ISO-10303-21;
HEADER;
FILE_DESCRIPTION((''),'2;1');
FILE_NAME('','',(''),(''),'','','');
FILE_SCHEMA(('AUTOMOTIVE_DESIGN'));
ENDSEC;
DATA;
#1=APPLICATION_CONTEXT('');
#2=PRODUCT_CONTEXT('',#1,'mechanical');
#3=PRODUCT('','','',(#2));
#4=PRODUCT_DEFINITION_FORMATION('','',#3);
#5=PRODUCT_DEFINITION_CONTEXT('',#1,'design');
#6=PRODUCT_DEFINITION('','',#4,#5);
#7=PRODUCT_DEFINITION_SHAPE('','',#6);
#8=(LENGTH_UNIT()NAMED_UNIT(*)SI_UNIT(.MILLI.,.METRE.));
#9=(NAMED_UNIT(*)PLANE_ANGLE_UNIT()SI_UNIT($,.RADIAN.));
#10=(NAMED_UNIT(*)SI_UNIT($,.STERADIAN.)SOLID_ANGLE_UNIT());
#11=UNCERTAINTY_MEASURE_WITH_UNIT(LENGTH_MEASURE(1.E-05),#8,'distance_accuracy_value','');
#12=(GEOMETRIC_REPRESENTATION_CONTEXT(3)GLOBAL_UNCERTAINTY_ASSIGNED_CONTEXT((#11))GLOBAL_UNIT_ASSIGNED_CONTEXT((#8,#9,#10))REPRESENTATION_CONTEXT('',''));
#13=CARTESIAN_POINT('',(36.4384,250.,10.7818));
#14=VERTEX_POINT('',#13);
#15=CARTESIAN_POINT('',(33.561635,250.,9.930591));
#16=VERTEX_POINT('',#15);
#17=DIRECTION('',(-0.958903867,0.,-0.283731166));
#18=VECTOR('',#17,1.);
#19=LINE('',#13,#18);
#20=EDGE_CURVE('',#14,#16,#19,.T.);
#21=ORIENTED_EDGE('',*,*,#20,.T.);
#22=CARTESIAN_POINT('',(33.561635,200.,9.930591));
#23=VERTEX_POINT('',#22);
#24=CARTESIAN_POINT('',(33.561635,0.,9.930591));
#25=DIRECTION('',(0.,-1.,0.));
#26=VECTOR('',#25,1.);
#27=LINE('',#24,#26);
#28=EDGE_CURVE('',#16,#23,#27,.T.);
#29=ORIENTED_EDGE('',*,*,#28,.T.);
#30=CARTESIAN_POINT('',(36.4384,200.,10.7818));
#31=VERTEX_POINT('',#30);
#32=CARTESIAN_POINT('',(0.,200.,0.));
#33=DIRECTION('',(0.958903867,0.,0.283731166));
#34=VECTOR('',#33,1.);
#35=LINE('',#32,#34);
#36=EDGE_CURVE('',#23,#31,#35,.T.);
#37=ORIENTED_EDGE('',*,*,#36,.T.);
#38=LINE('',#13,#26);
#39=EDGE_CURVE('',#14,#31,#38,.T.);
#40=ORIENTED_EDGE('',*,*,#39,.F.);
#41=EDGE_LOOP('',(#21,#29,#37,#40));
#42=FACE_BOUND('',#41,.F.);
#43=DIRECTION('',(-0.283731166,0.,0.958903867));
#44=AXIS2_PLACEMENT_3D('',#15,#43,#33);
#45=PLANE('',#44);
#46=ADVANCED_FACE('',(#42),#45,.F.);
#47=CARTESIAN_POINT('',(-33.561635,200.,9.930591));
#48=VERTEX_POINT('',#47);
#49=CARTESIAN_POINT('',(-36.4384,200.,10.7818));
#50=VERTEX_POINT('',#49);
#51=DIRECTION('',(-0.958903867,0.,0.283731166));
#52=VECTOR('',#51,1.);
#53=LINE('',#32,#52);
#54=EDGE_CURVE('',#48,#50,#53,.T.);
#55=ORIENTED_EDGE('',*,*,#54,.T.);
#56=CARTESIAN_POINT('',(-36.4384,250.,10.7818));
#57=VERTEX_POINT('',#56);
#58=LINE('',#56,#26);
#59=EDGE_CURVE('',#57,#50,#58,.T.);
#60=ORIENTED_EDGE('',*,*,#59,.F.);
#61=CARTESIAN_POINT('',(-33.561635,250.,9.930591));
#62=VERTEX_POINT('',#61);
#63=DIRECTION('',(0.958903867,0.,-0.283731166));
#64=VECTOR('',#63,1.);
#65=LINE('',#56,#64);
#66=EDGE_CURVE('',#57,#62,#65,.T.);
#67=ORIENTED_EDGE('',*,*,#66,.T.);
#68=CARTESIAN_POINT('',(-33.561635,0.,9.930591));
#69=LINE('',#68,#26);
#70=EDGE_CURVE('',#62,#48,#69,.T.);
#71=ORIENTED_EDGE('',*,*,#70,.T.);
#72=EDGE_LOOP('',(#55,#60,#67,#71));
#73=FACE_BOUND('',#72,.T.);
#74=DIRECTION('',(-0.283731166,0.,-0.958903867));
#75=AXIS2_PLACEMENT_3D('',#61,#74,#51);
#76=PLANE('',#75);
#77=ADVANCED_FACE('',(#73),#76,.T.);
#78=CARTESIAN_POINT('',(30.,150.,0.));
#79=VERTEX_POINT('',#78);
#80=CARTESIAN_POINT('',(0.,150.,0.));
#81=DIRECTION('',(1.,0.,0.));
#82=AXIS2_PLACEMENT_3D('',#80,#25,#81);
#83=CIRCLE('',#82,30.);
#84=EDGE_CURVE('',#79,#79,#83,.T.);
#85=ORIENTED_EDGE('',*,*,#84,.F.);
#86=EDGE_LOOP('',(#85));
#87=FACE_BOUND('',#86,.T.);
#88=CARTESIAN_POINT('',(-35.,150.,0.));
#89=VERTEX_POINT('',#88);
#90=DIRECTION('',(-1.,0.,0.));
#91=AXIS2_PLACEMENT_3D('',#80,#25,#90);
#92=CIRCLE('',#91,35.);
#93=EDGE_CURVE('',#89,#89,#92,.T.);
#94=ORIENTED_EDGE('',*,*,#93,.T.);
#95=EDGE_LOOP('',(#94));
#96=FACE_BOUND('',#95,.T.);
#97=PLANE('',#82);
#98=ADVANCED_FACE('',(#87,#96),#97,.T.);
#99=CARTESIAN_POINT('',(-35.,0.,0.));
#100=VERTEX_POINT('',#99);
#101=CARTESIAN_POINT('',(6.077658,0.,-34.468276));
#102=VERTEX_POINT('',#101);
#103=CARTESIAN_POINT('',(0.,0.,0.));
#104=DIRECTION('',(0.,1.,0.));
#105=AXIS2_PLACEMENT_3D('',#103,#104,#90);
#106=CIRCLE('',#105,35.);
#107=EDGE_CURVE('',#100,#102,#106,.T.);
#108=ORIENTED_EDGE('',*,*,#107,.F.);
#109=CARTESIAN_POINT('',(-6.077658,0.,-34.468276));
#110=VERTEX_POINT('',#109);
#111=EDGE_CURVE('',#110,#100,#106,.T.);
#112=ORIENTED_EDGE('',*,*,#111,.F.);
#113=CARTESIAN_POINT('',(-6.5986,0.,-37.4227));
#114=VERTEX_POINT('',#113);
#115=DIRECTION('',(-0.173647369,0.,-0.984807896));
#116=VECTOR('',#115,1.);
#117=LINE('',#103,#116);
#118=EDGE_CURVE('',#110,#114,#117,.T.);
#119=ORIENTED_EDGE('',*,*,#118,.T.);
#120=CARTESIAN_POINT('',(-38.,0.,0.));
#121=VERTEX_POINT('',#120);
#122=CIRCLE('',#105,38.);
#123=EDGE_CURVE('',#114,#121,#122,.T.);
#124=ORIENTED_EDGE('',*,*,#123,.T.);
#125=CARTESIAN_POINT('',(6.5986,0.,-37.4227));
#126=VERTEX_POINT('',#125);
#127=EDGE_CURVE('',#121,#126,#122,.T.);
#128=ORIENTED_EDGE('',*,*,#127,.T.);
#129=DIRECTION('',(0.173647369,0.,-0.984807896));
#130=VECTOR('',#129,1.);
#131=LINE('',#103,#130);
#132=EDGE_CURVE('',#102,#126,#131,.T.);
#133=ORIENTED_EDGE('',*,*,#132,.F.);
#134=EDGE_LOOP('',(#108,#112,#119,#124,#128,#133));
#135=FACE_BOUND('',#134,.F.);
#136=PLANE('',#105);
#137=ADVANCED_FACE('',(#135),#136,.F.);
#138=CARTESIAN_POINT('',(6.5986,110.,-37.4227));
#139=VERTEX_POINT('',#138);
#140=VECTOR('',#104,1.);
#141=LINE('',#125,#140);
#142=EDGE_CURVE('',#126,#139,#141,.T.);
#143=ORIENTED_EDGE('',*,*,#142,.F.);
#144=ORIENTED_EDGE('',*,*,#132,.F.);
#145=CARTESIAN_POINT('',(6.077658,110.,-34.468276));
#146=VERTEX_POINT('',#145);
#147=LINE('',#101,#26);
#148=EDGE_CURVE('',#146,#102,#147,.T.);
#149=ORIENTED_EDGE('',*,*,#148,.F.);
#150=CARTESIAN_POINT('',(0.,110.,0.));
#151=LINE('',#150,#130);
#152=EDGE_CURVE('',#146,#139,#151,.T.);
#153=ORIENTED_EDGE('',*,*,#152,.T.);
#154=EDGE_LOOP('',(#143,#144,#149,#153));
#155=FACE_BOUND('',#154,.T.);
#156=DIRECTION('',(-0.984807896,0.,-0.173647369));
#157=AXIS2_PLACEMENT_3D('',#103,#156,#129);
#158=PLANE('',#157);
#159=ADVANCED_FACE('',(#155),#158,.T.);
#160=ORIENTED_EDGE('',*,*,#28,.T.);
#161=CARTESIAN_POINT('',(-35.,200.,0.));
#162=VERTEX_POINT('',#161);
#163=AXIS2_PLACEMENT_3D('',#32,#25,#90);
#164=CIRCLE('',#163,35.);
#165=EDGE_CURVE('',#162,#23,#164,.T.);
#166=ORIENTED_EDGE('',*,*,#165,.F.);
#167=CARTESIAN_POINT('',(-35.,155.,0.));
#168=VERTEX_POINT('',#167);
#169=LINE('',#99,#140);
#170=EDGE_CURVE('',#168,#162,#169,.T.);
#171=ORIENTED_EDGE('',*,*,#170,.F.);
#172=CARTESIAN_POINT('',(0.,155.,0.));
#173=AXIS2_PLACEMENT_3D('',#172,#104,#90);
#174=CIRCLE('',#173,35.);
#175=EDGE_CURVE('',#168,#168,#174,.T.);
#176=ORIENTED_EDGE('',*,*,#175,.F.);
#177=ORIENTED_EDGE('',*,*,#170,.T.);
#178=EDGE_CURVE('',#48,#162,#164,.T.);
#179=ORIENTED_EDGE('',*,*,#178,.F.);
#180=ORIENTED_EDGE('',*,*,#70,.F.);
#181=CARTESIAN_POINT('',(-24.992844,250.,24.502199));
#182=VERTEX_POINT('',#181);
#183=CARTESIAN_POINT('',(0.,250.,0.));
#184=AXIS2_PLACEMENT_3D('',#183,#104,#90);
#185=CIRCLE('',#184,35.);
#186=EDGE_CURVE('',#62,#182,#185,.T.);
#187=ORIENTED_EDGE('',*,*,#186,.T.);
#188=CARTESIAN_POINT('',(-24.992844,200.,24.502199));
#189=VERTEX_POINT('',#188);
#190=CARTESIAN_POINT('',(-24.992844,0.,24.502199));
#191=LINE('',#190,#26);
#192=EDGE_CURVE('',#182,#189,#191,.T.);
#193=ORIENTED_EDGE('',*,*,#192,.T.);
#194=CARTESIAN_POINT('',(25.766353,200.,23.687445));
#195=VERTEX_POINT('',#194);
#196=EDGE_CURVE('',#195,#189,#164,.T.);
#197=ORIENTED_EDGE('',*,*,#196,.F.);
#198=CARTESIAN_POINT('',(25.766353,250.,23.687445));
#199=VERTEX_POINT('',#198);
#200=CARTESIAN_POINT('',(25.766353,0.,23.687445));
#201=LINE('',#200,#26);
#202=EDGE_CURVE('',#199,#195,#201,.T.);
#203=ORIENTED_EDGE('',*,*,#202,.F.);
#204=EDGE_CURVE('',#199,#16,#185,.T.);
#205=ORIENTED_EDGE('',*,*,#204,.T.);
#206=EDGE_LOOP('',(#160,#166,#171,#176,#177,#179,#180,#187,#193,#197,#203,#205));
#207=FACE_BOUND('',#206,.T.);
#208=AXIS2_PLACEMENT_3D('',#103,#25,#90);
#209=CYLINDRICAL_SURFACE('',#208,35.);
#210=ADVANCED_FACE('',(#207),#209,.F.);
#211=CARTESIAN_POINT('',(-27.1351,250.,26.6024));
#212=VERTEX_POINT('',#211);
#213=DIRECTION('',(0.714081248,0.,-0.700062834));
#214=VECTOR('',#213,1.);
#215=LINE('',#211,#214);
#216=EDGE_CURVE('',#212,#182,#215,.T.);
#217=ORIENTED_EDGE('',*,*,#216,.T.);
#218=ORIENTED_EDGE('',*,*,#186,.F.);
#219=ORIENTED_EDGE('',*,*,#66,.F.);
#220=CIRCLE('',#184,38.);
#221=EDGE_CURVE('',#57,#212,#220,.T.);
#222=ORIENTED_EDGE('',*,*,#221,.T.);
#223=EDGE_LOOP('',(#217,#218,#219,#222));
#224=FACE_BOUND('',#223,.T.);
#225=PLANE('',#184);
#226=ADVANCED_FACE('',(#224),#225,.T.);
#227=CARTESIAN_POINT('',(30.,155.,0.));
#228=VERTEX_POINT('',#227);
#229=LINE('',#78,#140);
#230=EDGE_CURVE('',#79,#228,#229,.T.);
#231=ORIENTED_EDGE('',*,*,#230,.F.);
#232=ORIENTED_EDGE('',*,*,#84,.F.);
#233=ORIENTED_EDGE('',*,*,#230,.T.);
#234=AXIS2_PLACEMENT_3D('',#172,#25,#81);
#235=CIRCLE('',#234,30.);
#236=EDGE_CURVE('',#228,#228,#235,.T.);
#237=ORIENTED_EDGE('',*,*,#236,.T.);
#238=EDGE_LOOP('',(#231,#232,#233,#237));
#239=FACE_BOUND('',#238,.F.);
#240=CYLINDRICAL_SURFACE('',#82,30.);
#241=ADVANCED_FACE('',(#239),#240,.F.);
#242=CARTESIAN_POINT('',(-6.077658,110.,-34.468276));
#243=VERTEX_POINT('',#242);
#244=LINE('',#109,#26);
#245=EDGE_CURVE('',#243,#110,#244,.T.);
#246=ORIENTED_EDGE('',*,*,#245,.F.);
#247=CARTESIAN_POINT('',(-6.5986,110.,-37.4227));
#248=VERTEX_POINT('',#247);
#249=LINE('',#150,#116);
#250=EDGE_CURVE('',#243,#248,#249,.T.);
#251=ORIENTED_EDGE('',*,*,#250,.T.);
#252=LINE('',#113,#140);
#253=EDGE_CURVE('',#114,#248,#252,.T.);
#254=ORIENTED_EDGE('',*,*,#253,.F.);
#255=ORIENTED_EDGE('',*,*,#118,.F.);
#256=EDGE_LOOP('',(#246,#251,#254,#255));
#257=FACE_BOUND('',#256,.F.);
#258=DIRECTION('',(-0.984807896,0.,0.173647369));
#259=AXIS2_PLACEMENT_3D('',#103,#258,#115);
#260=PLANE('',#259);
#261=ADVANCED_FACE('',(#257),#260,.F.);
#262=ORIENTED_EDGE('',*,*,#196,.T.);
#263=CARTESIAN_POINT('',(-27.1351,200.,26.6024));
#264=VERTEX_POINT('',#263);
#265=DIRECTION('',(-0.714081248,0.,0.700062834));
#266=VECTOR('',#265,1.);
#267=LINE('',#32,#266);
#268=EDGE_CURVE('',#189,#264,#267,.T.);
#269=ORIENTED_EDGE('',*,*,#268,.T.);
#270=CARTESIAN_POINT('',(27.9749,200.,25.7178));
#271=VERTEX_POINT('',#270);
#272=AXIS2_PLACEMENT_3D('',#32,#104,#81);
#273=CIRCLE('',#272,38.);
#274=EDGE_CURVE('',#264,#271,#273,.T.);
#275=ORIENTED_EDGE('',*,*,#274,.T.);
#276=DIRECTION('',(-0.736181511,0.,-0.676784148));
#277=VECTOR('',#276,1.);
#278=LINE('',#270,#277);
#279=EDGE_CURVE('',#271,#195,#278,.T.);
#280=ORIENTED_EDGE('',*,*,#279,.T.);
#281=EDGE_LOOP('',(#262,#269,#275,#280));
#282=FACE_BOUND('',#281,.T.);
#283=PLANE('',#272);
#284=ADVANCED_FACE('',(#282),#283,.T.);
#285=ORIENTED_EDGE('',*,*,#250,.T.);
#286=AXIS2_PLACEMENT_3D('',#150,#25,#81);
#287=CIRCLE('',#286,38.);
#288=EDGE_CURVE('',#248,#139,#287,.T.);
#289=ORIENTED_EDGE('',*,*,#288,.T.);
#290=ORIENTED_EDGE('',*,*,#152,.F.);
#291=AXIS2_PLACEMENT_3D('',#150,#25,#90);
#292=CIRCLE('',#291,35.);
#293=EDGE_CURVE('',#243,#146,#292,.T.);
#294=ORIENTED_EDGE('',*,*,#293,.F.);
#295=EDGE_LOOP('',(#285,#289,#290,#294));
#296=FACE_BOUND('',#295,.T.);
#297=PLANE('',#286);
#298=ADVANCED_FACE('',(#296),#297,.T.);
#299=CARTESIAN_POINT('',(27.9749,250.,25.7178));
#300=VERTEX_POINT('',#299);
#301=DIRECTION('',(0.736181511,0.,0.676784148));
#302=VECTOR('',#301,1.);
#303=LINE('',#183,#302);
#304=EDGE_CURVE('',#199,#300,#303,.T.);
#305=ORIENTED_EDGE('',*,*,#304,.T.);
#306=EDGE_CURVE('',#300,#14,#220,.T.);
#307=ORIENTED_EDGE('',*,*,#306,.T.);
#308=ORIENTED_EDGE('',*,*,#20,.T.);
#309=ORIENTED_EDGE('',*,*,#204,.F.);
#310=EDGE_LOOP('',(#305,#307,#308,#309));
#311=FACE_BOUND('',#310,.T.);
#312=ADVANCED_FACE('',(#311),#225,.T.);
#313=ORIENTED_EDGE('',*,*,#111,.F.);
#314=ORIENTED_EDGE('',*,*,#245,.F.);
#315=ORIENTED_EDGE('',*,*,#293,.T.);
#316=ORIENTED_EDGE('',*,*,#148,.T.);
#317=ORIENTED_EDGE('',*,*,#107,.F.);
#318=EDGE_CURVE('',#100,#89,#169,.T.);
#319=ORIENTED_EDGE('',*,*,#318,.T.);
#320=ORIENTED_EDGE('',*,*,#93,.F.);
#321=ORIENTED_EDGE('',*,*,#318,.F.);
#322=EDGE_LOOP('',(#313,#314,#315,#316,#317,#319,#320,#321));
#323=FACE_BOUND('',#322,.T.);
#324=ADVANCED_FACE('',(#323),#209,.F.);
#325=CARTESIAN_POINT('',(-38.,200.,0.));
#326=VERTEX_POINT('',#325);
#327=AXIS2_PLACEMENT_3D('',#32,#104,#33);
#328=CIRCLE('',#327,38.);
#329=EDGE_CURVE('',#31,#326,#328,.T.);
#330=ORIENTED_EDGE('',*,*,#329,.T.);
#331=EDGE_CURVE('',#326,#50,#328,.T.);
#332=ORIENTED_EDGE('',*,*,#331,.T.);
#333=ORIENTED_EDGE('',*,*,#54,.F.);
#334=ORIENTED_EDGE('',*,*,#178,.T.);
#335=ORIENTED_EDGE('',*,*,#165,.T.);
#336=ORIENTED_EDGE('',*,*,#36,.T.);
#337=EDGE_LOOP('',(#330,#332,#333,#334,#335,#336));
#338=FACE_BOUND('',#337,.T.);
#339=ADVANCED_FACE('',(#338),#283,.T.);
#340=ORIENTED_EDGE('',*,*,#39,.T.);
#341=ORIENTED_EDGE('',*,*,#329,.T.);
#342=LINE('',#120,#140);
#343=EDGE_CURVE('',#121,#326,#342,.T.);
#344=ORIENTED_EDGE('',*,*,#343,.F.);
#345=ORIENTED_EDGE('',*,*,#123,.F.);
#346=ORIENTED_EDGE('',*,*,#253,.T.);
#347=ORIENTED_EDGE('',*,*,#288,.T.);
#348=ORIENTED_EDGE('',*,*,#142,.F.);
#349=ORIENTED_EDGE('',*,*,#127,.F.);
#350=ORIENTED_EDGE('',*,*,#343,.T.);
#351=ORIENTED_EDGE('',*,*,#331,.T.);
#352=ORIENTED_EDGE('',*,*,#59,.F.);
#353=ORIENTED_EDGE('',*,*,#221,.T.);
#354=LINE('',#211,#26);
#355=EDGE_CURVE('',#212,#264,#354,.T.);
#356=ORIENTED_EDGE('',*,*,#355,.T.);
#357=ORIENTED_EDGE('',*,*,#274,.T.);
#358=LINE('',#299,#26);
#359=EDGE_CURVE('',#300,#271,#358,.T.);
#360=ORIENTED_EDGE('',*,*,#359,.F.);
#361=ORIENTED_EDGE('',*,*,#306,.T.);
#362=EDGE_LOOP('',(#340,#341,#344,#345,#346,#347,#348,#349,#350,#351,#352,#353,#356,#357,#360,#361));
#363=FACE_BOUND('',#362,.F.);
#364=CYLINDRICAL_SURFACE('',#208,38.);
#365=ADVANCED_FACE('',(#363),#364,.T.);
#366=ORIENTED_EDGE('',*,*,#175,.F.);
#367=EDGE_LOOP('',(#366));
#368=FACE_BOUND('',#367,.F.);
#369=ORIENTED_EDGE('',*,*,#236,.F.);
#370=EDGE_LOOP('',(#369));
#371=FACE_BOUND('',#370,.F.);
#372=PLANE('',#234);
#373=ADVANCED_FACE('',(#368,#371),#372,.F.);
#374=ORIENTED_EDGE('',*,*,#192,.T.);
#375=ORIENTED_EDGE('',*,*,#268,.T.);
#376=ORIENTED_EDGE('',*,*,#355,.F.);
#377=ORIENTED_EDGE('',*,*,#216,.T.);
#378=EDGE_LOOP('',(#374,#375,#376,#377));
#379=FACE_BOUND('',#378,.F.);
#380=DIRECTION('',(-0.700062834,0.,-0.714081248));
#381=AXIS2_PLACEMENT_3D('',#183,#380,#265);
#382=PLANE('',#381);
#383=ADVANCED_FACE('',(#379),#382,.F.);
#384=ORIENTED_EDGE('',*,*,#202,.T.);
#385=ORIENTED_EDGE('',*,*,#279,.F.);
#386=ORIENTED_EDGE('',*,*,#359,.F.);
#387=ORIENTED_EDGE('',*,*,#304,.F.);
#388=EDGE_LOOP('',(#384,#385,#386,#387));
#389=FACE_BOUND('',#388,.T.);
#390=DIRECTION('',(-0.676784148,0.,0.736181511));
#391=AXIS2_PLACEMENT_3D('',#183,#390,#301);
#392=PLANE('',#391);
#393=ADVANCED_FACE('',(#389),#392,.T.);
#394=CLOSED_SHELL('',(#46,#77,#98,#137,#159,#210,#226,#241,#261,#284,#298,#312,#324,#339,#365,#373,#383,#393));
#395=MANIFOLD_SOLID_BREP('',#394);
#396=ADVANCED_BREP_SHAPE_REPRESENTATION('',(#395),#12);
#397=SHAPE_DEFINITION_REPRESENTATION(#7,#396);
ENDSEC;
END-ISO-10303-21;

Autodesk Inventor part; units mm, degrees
ref_plane "YZ Plane" through (0, 0, 0) normal (1, 0, 0) x (0, 1, 0)
ref_plane "XZ Plane" through (0, 0, 0) normal (0, 1, 0) x (-1, 0, 0)
ref_plane "XY Plane" through (0, 0, 0) normal (0, 0, 1) x (1, 0, 0)
sketch "スケッチ1" plane through (0, 0, 0) normal (0, 1, 0) x (-1, 0, 0)
  circle A0 centre (0, 0) radius 35
  circle A1 centre (0, 0) radius 38
  dimension "d0" = 70
  dimension "d1" = 76
extrude "押し出し1" add sketch "スケッチ1" along normal blind 250
sketch "スケッチ2" plane through (0, 250, 0) normal (0, 1, 0) x (1, 0, 0)
  circle A0 centre (0, 0) radius 38 projected
  line L0 (0, 0) -> (-27.1351, -26.6024)
  line L1 (0, 0) -> (27.9749, -25.7178)
  line L2 (0, 0) -> (-27.1351, -26.6024)
  circle A1 centre (0, 0) radius 35 projected
  line L3 (0, 0) -> (-36.4384, -10.7818)
  line L4 (0, 0) -> (36.4384, -10.7818)
  point P0 (-32.2602, -20.0818)
  point P1 (33.0208, -18.805)
extrude "押し出し3" cut sketch "スケッチ2" against normal blind 50 contours A0 L4 A1 L3 | L0 A1 L1 A0 | A1 L4 L3 | L0 L1 A1
ref_plane "作業平面2" through (0, 150, 0) normal (0, -1, 0) x (1, 0, 0)
sketch "スケッチ3" plane through (0, 150, 0) normal (0, -1, 0) x (1, 0, 0)
  circle A0 centre (0, 0) radius 35
  circle A1 centre (0, 0) radius 30
  dimension "d10" = 70
  dimension "d11" = 60
extrude "押し出し4" add sketch "スケッチ3" against normal blind 5
sketch "スケッチ4" plane through (0, 0, 0) normal (0, -1, 0) x (1, 0, 0)
  circle A0 centre (0, 0) radius 38 projected
  line L0 (0, 0) -> (6.5986, -37.4227)
  line L1 (0, 0) -> (38, 0) construction
  line L2 (0, 0) -> (-6.5986, -37.4227)
  line L3 (0, 0) -> (38, 0) construction
  dimension "d14" = 80
  dimension "d15" = 100
extrude "押し出し5" cut sketch "スケッチ4" against normal blind 110 contours L2 L0 A0 picked at (0, -25.2905)
properties part number "知能ロボコン大砲１"
